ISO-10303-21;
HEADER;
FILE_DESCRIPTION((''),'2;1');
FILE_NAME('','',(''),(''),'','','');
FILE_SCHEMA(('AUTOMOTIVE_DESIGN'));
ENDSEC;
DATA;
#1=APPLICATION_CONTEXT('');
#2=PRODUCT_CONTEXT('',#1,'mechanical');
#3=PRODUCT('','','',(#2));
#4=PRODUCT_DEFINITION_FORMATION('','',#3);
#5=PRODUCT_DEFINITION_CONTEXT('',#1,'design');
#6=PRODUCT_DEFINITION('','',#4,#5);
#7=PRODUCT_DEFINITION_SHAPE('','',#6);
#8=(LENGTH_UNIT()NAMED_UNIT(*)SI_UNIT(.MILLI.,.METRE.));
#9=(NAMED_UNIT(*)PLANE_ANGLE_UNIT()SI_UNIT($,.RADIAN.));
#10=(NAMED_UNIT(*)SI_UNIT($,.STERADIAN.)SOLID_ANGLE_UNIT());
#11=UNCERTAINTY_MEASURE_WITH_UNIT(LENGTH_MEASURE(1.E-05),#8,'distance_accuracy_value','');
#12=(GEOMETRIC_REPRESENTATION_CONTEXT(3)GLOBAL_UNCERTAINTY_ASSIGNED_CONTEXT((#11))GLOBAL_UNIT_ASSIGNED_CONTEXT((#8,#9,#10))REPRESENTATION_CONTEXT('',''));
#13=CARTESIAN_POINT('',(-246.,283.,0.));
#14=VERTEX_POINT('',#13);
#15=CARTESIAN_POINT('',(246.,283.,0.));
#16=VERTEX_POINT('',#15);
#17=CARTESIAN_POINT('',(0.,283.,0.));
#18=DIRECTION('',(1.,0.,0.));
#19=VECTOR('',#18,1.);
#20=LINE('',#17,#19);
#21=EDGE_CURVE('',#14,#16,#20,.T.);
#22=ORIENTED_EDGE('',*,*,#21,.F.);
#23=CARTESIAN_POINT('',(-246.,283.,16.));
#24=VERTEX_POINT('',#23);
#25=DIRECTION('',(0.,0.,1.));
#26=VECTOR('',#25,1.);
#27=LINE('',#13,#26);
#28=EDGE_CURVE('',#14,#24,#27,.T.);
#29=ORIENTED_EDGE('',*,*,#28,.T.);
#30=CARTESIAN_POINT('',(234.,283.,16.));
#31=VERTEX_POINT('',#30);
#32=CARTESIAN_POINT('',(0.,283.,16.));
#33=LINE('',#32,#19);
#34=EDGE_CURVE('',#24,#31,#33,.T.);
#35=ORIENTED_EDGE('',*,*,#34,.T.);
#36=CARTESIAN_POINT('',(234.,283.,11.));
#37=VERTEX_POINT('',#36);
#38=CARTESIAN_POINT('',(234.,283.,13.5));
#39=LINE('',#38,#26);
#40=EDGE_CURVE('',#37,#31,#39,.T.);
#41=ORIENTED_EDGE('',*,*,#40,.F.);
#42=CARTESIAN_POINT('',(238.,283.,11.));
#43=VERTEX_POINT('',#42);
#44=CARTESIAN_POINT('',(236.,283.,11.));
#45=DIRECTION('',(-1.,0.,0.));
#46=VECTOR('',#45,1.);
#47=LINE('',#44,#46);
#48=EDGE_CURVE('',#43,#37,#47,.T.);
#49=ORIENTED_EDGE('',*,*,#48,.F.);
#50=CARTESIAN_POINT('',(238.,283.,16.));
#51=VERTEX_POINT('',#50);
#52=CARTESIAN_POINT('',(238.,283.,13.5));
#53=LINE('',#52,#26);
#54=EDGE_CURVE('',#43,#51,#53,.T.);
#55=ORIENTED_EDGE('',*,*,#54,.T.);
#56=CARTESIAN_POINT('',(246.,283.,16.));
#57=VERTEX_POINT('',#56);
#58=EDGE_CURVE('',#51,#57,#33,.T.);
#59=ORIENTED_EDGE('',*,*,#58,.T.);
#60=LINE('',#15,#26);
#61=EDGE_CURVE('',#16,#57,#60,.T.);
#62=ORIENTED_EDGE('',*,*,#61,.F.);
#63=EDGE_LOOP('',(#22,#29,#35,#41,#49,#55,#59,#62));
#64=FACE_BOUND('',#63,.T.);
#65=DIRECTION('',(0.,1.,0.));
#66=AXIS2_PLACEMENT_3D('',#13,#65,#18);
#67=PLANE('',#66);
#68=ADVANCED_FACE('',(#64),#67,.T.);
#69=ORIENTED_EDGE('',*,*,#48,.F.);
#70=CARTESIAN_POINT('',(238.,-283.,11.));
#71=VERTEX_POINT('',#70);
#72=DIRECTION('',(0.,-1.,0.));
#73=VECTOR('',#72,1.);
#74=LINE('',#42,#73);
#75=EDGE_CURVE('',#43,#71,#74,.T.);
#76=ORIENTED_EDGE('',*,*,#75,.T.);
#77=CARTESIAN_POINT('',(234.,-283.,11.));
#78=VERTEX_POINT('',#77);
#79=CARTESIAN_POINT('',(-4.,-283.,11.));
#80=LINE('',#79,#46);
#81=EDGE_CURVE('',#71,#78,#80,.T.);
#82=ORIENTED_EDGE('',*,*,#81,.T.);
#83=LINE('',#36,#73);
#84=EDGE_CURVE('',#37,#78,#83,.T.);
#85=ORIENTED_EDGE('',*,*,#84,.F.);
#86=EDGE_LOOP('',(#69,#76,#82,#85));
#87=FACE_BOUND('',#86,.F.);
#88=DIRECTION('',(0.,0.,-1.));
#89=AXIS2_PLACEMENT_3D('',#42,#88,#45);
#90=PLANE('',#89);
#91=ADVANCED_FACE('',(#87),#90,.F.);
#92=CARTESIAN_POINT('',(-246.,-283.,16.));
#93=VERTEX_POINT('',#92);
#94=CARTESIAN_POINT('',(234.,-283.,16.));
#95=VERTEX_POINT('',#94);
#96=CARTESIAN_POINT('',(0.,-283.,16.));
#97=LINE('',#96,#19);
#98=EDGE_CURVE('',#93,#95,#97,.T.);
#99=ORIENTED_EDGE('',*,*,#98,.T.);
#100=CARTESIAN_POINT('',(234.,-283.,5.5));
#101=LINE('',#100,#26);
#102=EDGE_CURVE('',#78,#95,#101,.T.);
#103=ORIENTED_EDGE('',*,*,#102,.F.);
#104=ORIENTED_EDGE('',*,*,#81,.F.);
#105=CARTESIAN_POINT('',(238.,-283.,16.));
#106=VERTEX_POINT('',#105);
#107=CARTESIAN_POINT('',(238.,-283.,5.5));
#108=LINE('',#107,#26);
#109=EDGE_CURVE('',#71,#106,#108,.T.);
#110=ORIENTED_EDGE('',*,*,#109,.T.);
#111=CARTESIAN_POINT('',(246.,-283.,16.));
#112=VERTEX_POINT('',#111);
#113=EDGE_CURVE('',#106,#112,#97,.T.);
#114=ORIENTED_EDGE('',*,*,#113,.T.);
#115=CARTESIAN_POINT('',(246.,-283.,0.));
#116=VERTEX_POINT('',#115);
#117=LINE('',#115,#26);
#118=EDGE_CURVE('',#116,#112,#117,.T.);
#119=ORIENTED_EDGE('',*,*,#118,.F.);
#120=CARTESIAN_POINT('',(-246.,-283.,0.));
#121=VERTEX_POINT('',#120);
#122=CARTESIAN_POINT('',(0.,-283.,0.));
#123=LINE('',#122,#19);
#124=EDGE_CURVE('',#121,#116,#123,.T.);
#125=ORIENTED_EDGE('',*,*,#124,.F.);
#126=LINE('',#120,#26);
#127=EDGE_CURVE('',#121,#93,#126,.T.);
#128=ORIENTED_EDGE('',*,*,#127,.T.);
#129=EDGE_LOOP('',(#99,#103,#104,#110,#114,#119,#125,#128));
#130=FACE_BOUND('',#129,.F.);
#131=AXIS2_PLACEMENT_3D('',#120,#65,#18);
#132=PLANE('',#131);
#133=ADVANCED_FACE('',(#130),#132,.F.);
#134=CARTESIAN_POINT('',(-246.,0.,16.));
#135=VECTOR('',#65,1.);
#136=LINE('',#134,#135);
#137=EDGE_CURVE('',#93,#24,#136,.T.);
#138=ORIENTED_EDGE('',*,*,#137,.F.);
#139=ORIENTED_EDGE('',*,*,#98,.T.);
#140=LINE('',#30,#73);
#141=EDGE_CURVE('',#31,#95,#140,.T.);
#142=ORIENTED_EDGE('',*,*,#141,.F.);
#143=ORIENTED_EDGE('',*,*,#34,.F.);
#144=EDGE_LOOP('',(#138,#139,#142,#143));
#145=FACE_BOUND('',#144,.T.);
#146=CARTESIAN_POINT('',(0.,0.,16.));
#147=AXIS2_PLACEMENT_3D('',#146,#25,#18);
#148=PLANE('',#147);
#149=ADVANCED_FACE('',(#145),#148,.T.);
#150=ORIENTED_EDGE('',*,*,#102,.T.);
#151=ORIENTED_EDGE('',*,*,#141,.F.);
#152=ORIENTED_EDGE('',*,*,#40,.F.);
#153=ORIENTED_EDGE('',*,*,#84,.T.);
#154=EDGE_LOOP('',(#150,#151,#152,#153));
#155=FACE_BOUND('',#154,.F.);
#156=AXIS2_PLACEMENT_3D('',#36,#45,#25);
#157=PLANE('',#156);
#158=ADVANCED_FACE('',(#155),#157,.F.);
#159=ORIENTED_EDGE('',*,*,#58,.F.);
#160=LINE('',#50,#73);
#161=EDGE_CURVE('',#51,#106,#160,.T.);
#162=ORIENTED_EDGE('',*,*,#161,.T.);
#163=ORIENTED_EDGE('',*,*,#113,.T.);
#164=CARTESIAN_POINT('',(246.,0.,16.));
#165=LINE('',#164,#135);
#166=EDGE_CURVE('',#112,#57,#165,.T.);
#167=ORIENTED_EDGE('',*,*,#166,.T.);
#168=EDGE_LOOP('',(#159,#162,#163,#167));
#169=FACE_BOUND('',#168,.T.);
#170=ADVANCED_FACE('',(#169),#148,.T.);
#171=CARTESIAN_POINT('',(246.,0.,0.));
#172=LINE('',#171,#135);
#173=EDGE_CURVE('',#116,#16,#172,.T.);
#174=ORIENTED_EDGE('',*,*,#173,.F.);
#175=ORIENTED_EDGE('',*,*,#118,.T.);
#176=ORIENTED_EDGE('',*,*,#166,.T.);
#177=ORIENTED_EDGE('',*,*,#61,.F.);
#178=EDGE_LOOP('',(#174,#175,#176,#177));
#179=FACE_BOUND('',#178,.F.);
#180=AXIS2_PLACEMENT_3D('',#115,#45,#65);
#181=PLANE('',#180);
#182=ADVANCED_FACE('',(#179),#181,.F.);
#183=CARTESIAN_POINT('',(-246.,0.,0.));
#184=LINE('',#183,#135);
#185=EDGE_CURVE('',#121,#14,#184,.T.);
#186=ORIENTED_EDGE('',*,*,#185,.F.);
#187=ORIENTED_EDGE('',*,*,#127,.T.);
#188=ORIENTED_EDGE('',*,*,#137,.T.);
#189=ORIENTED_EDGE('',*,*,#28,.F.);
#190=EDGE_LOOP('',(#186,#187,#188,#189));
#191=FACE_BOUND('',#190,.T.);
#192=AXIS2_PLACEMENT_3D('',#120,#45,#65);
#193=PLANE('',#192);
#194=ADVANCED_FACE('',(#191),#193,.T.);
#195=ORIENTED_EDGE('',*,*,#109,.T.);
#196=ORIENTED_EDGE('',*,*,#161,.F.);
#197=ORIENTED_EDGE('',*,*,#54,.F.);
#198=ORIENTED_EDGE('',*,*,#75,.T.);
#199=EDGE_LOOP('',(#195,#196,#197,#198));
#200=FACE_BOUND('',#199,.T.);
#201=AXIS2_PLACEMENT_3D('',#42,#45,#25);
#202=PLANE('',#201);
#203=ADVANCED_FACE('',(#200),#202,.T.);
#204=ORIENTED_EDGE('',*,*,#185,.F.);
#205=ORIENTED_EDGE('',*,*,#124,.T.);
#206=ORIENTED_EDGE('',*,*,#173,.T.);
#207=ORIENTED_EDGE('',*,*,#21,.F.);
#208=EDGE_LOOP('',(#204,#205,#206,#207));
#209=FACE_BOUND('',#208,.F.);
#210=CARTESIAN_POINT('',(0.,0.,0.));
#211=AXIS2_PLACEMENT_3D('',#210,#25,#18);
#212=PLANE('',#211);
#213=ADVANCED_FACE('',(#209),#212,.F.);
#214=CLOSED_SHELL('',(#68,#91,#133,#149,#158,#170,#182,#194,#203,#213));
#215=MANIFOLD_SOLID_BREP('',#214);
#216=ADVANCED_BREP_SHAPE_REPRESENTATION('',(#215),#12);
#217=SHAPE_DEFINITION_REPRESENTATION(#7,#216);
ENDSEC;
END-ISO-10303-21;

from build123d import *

# Parameters (mm, degrees)
F0_W     = 492
F0_H     = 566
F1_DEPTH = 16
F2_W     = 4
F2_H     = 5
F3_DEPTH = 566.001


with BuildPart() as f1:
    # F0 (on Top) → F1 (new body)
    with BuildSketch(Plane.XY):
        Rectangle(F0_W, F0_H)
    extrude(amount=F1_DEPTH)

    # F2 (on face) → F3 (cut, through all)
    with BuildSketch(Plane(origin=(0, 283, 0), x_dir=(-1, 0, 0), z_dir=(0, 1, 0))):
        with Locations((-236, 13.5)):
            Rectangle(F2_W, F2_H)
    extrude(amount=-F3_DEPTH, mode=Mode.SUBTRACT)


solid = f1.part
